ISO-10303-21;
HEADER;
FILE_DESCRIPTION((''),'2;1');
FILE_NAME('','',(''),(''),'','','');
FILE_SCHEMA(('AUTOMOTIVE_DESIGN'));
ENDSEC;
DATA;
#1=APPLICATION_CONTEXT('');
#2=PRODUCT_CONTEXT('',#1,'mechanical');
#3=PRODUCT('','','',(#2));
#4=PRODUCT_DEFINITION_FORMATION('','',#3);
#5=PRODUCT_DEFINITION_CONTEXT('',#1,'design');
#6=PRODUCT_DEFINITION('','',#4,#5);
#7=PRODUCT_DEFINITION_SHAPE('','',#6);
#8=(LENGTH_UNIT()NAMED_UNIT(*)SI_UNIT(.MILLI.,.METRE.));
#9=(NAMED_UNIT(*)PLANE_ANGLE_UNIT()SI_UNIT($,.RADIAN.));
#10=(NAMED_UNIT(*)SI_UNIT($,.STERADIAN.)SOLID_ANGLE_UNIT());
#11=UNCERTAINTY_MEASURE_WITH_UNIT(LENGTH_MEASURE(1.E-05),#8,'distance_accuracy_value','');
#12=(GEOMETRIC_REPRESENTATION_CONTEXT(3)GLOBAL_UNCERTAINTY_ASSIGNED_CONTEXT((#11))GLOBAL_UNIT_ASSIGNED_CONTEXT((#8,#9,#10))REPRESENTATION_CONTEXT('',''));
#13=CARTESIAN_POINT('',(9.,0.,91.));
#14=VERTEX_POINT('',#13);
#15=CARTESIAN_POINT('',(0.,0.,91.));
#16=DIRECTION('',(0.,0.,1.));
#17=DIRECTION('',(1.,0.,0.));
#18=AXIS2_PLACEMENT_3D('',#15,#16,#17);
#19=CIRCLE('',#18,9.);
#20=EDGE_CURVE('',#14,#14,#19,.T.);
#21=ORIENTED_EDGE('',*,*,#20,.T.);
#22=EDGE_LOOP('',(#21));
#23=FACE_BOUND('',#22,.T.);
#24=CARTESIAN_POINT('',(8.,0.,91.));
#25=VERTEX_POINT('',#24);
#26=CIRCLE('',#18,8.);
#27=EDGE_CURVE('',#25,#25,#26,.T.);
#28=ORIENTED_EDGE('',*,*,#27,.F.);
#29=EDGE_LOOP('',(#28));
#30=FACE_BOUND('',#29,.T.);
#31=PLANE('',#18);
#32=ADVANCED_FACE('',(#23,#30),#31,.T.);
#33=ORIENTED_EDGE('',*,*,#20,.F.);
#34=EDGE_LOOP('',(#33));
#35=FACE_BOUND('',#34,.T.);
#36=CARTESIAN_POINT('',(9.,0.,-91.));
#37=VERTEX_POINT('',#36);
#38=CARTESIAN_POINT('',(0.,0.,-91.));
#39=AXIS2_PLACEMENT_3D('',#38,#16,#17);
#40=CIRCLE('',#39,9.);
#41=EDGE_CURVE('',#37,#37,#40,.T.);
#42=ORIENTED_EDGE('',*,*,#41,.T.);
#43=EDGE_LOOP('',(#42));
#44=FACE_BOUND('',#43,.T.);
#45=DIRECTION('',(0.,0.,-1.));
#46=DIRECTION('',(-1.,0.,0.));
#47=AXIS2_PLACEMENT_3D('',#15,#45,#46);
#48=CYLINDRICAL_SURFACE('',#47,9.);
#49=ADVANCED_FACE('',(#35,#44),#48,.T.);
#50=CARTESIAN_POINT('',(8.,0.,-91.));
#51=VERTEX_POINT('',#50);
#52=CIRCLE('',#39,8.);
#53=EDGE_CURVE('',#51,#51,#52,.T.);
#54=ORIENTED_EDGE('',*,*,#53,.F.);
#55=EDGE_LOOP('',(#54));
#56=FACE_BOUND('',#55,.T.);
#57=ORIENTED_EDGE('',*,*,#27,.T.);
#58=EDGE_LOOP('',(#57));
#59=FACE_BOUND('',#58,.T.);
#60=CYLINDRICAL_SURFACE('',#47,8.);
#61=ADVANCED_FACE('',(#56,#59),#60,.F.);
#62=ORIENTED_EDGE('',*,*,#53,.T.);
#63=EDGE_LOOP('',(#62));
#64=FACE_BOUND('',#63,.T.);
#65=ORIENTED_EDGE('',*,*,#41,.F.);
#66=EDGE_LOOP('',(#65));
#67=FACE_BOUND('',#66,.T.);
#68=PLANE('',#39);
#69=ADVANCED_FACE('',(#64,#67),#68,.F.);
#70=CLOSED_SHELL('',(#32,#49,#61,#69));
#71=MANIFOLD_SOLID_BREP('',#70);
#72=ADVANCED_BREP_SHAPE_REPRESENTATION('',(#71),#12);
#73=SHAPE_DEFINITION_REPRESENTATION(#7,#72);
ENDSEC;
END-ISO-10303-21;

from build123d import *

# Parameters (mm, degrees)
CROQUIS1_R              = 9
CROQUIS1_R_2            = 8
SALIENTE_EXTRUIR1_DEPTH = 91


with BuildPart() as part:
    # Croquis1 → Saliente-Extruir1 (new, symmetric)
    with BuildSketch(Plane.XY):
        Circle(CROQUIS1_R)
        Circle(CROQUIS1_R_2, mode=Mode.SUBTRACT)
    extrude(amount=SALIENTE_EXTRUIR1_DEPTH, both=True)


solid = part.part
